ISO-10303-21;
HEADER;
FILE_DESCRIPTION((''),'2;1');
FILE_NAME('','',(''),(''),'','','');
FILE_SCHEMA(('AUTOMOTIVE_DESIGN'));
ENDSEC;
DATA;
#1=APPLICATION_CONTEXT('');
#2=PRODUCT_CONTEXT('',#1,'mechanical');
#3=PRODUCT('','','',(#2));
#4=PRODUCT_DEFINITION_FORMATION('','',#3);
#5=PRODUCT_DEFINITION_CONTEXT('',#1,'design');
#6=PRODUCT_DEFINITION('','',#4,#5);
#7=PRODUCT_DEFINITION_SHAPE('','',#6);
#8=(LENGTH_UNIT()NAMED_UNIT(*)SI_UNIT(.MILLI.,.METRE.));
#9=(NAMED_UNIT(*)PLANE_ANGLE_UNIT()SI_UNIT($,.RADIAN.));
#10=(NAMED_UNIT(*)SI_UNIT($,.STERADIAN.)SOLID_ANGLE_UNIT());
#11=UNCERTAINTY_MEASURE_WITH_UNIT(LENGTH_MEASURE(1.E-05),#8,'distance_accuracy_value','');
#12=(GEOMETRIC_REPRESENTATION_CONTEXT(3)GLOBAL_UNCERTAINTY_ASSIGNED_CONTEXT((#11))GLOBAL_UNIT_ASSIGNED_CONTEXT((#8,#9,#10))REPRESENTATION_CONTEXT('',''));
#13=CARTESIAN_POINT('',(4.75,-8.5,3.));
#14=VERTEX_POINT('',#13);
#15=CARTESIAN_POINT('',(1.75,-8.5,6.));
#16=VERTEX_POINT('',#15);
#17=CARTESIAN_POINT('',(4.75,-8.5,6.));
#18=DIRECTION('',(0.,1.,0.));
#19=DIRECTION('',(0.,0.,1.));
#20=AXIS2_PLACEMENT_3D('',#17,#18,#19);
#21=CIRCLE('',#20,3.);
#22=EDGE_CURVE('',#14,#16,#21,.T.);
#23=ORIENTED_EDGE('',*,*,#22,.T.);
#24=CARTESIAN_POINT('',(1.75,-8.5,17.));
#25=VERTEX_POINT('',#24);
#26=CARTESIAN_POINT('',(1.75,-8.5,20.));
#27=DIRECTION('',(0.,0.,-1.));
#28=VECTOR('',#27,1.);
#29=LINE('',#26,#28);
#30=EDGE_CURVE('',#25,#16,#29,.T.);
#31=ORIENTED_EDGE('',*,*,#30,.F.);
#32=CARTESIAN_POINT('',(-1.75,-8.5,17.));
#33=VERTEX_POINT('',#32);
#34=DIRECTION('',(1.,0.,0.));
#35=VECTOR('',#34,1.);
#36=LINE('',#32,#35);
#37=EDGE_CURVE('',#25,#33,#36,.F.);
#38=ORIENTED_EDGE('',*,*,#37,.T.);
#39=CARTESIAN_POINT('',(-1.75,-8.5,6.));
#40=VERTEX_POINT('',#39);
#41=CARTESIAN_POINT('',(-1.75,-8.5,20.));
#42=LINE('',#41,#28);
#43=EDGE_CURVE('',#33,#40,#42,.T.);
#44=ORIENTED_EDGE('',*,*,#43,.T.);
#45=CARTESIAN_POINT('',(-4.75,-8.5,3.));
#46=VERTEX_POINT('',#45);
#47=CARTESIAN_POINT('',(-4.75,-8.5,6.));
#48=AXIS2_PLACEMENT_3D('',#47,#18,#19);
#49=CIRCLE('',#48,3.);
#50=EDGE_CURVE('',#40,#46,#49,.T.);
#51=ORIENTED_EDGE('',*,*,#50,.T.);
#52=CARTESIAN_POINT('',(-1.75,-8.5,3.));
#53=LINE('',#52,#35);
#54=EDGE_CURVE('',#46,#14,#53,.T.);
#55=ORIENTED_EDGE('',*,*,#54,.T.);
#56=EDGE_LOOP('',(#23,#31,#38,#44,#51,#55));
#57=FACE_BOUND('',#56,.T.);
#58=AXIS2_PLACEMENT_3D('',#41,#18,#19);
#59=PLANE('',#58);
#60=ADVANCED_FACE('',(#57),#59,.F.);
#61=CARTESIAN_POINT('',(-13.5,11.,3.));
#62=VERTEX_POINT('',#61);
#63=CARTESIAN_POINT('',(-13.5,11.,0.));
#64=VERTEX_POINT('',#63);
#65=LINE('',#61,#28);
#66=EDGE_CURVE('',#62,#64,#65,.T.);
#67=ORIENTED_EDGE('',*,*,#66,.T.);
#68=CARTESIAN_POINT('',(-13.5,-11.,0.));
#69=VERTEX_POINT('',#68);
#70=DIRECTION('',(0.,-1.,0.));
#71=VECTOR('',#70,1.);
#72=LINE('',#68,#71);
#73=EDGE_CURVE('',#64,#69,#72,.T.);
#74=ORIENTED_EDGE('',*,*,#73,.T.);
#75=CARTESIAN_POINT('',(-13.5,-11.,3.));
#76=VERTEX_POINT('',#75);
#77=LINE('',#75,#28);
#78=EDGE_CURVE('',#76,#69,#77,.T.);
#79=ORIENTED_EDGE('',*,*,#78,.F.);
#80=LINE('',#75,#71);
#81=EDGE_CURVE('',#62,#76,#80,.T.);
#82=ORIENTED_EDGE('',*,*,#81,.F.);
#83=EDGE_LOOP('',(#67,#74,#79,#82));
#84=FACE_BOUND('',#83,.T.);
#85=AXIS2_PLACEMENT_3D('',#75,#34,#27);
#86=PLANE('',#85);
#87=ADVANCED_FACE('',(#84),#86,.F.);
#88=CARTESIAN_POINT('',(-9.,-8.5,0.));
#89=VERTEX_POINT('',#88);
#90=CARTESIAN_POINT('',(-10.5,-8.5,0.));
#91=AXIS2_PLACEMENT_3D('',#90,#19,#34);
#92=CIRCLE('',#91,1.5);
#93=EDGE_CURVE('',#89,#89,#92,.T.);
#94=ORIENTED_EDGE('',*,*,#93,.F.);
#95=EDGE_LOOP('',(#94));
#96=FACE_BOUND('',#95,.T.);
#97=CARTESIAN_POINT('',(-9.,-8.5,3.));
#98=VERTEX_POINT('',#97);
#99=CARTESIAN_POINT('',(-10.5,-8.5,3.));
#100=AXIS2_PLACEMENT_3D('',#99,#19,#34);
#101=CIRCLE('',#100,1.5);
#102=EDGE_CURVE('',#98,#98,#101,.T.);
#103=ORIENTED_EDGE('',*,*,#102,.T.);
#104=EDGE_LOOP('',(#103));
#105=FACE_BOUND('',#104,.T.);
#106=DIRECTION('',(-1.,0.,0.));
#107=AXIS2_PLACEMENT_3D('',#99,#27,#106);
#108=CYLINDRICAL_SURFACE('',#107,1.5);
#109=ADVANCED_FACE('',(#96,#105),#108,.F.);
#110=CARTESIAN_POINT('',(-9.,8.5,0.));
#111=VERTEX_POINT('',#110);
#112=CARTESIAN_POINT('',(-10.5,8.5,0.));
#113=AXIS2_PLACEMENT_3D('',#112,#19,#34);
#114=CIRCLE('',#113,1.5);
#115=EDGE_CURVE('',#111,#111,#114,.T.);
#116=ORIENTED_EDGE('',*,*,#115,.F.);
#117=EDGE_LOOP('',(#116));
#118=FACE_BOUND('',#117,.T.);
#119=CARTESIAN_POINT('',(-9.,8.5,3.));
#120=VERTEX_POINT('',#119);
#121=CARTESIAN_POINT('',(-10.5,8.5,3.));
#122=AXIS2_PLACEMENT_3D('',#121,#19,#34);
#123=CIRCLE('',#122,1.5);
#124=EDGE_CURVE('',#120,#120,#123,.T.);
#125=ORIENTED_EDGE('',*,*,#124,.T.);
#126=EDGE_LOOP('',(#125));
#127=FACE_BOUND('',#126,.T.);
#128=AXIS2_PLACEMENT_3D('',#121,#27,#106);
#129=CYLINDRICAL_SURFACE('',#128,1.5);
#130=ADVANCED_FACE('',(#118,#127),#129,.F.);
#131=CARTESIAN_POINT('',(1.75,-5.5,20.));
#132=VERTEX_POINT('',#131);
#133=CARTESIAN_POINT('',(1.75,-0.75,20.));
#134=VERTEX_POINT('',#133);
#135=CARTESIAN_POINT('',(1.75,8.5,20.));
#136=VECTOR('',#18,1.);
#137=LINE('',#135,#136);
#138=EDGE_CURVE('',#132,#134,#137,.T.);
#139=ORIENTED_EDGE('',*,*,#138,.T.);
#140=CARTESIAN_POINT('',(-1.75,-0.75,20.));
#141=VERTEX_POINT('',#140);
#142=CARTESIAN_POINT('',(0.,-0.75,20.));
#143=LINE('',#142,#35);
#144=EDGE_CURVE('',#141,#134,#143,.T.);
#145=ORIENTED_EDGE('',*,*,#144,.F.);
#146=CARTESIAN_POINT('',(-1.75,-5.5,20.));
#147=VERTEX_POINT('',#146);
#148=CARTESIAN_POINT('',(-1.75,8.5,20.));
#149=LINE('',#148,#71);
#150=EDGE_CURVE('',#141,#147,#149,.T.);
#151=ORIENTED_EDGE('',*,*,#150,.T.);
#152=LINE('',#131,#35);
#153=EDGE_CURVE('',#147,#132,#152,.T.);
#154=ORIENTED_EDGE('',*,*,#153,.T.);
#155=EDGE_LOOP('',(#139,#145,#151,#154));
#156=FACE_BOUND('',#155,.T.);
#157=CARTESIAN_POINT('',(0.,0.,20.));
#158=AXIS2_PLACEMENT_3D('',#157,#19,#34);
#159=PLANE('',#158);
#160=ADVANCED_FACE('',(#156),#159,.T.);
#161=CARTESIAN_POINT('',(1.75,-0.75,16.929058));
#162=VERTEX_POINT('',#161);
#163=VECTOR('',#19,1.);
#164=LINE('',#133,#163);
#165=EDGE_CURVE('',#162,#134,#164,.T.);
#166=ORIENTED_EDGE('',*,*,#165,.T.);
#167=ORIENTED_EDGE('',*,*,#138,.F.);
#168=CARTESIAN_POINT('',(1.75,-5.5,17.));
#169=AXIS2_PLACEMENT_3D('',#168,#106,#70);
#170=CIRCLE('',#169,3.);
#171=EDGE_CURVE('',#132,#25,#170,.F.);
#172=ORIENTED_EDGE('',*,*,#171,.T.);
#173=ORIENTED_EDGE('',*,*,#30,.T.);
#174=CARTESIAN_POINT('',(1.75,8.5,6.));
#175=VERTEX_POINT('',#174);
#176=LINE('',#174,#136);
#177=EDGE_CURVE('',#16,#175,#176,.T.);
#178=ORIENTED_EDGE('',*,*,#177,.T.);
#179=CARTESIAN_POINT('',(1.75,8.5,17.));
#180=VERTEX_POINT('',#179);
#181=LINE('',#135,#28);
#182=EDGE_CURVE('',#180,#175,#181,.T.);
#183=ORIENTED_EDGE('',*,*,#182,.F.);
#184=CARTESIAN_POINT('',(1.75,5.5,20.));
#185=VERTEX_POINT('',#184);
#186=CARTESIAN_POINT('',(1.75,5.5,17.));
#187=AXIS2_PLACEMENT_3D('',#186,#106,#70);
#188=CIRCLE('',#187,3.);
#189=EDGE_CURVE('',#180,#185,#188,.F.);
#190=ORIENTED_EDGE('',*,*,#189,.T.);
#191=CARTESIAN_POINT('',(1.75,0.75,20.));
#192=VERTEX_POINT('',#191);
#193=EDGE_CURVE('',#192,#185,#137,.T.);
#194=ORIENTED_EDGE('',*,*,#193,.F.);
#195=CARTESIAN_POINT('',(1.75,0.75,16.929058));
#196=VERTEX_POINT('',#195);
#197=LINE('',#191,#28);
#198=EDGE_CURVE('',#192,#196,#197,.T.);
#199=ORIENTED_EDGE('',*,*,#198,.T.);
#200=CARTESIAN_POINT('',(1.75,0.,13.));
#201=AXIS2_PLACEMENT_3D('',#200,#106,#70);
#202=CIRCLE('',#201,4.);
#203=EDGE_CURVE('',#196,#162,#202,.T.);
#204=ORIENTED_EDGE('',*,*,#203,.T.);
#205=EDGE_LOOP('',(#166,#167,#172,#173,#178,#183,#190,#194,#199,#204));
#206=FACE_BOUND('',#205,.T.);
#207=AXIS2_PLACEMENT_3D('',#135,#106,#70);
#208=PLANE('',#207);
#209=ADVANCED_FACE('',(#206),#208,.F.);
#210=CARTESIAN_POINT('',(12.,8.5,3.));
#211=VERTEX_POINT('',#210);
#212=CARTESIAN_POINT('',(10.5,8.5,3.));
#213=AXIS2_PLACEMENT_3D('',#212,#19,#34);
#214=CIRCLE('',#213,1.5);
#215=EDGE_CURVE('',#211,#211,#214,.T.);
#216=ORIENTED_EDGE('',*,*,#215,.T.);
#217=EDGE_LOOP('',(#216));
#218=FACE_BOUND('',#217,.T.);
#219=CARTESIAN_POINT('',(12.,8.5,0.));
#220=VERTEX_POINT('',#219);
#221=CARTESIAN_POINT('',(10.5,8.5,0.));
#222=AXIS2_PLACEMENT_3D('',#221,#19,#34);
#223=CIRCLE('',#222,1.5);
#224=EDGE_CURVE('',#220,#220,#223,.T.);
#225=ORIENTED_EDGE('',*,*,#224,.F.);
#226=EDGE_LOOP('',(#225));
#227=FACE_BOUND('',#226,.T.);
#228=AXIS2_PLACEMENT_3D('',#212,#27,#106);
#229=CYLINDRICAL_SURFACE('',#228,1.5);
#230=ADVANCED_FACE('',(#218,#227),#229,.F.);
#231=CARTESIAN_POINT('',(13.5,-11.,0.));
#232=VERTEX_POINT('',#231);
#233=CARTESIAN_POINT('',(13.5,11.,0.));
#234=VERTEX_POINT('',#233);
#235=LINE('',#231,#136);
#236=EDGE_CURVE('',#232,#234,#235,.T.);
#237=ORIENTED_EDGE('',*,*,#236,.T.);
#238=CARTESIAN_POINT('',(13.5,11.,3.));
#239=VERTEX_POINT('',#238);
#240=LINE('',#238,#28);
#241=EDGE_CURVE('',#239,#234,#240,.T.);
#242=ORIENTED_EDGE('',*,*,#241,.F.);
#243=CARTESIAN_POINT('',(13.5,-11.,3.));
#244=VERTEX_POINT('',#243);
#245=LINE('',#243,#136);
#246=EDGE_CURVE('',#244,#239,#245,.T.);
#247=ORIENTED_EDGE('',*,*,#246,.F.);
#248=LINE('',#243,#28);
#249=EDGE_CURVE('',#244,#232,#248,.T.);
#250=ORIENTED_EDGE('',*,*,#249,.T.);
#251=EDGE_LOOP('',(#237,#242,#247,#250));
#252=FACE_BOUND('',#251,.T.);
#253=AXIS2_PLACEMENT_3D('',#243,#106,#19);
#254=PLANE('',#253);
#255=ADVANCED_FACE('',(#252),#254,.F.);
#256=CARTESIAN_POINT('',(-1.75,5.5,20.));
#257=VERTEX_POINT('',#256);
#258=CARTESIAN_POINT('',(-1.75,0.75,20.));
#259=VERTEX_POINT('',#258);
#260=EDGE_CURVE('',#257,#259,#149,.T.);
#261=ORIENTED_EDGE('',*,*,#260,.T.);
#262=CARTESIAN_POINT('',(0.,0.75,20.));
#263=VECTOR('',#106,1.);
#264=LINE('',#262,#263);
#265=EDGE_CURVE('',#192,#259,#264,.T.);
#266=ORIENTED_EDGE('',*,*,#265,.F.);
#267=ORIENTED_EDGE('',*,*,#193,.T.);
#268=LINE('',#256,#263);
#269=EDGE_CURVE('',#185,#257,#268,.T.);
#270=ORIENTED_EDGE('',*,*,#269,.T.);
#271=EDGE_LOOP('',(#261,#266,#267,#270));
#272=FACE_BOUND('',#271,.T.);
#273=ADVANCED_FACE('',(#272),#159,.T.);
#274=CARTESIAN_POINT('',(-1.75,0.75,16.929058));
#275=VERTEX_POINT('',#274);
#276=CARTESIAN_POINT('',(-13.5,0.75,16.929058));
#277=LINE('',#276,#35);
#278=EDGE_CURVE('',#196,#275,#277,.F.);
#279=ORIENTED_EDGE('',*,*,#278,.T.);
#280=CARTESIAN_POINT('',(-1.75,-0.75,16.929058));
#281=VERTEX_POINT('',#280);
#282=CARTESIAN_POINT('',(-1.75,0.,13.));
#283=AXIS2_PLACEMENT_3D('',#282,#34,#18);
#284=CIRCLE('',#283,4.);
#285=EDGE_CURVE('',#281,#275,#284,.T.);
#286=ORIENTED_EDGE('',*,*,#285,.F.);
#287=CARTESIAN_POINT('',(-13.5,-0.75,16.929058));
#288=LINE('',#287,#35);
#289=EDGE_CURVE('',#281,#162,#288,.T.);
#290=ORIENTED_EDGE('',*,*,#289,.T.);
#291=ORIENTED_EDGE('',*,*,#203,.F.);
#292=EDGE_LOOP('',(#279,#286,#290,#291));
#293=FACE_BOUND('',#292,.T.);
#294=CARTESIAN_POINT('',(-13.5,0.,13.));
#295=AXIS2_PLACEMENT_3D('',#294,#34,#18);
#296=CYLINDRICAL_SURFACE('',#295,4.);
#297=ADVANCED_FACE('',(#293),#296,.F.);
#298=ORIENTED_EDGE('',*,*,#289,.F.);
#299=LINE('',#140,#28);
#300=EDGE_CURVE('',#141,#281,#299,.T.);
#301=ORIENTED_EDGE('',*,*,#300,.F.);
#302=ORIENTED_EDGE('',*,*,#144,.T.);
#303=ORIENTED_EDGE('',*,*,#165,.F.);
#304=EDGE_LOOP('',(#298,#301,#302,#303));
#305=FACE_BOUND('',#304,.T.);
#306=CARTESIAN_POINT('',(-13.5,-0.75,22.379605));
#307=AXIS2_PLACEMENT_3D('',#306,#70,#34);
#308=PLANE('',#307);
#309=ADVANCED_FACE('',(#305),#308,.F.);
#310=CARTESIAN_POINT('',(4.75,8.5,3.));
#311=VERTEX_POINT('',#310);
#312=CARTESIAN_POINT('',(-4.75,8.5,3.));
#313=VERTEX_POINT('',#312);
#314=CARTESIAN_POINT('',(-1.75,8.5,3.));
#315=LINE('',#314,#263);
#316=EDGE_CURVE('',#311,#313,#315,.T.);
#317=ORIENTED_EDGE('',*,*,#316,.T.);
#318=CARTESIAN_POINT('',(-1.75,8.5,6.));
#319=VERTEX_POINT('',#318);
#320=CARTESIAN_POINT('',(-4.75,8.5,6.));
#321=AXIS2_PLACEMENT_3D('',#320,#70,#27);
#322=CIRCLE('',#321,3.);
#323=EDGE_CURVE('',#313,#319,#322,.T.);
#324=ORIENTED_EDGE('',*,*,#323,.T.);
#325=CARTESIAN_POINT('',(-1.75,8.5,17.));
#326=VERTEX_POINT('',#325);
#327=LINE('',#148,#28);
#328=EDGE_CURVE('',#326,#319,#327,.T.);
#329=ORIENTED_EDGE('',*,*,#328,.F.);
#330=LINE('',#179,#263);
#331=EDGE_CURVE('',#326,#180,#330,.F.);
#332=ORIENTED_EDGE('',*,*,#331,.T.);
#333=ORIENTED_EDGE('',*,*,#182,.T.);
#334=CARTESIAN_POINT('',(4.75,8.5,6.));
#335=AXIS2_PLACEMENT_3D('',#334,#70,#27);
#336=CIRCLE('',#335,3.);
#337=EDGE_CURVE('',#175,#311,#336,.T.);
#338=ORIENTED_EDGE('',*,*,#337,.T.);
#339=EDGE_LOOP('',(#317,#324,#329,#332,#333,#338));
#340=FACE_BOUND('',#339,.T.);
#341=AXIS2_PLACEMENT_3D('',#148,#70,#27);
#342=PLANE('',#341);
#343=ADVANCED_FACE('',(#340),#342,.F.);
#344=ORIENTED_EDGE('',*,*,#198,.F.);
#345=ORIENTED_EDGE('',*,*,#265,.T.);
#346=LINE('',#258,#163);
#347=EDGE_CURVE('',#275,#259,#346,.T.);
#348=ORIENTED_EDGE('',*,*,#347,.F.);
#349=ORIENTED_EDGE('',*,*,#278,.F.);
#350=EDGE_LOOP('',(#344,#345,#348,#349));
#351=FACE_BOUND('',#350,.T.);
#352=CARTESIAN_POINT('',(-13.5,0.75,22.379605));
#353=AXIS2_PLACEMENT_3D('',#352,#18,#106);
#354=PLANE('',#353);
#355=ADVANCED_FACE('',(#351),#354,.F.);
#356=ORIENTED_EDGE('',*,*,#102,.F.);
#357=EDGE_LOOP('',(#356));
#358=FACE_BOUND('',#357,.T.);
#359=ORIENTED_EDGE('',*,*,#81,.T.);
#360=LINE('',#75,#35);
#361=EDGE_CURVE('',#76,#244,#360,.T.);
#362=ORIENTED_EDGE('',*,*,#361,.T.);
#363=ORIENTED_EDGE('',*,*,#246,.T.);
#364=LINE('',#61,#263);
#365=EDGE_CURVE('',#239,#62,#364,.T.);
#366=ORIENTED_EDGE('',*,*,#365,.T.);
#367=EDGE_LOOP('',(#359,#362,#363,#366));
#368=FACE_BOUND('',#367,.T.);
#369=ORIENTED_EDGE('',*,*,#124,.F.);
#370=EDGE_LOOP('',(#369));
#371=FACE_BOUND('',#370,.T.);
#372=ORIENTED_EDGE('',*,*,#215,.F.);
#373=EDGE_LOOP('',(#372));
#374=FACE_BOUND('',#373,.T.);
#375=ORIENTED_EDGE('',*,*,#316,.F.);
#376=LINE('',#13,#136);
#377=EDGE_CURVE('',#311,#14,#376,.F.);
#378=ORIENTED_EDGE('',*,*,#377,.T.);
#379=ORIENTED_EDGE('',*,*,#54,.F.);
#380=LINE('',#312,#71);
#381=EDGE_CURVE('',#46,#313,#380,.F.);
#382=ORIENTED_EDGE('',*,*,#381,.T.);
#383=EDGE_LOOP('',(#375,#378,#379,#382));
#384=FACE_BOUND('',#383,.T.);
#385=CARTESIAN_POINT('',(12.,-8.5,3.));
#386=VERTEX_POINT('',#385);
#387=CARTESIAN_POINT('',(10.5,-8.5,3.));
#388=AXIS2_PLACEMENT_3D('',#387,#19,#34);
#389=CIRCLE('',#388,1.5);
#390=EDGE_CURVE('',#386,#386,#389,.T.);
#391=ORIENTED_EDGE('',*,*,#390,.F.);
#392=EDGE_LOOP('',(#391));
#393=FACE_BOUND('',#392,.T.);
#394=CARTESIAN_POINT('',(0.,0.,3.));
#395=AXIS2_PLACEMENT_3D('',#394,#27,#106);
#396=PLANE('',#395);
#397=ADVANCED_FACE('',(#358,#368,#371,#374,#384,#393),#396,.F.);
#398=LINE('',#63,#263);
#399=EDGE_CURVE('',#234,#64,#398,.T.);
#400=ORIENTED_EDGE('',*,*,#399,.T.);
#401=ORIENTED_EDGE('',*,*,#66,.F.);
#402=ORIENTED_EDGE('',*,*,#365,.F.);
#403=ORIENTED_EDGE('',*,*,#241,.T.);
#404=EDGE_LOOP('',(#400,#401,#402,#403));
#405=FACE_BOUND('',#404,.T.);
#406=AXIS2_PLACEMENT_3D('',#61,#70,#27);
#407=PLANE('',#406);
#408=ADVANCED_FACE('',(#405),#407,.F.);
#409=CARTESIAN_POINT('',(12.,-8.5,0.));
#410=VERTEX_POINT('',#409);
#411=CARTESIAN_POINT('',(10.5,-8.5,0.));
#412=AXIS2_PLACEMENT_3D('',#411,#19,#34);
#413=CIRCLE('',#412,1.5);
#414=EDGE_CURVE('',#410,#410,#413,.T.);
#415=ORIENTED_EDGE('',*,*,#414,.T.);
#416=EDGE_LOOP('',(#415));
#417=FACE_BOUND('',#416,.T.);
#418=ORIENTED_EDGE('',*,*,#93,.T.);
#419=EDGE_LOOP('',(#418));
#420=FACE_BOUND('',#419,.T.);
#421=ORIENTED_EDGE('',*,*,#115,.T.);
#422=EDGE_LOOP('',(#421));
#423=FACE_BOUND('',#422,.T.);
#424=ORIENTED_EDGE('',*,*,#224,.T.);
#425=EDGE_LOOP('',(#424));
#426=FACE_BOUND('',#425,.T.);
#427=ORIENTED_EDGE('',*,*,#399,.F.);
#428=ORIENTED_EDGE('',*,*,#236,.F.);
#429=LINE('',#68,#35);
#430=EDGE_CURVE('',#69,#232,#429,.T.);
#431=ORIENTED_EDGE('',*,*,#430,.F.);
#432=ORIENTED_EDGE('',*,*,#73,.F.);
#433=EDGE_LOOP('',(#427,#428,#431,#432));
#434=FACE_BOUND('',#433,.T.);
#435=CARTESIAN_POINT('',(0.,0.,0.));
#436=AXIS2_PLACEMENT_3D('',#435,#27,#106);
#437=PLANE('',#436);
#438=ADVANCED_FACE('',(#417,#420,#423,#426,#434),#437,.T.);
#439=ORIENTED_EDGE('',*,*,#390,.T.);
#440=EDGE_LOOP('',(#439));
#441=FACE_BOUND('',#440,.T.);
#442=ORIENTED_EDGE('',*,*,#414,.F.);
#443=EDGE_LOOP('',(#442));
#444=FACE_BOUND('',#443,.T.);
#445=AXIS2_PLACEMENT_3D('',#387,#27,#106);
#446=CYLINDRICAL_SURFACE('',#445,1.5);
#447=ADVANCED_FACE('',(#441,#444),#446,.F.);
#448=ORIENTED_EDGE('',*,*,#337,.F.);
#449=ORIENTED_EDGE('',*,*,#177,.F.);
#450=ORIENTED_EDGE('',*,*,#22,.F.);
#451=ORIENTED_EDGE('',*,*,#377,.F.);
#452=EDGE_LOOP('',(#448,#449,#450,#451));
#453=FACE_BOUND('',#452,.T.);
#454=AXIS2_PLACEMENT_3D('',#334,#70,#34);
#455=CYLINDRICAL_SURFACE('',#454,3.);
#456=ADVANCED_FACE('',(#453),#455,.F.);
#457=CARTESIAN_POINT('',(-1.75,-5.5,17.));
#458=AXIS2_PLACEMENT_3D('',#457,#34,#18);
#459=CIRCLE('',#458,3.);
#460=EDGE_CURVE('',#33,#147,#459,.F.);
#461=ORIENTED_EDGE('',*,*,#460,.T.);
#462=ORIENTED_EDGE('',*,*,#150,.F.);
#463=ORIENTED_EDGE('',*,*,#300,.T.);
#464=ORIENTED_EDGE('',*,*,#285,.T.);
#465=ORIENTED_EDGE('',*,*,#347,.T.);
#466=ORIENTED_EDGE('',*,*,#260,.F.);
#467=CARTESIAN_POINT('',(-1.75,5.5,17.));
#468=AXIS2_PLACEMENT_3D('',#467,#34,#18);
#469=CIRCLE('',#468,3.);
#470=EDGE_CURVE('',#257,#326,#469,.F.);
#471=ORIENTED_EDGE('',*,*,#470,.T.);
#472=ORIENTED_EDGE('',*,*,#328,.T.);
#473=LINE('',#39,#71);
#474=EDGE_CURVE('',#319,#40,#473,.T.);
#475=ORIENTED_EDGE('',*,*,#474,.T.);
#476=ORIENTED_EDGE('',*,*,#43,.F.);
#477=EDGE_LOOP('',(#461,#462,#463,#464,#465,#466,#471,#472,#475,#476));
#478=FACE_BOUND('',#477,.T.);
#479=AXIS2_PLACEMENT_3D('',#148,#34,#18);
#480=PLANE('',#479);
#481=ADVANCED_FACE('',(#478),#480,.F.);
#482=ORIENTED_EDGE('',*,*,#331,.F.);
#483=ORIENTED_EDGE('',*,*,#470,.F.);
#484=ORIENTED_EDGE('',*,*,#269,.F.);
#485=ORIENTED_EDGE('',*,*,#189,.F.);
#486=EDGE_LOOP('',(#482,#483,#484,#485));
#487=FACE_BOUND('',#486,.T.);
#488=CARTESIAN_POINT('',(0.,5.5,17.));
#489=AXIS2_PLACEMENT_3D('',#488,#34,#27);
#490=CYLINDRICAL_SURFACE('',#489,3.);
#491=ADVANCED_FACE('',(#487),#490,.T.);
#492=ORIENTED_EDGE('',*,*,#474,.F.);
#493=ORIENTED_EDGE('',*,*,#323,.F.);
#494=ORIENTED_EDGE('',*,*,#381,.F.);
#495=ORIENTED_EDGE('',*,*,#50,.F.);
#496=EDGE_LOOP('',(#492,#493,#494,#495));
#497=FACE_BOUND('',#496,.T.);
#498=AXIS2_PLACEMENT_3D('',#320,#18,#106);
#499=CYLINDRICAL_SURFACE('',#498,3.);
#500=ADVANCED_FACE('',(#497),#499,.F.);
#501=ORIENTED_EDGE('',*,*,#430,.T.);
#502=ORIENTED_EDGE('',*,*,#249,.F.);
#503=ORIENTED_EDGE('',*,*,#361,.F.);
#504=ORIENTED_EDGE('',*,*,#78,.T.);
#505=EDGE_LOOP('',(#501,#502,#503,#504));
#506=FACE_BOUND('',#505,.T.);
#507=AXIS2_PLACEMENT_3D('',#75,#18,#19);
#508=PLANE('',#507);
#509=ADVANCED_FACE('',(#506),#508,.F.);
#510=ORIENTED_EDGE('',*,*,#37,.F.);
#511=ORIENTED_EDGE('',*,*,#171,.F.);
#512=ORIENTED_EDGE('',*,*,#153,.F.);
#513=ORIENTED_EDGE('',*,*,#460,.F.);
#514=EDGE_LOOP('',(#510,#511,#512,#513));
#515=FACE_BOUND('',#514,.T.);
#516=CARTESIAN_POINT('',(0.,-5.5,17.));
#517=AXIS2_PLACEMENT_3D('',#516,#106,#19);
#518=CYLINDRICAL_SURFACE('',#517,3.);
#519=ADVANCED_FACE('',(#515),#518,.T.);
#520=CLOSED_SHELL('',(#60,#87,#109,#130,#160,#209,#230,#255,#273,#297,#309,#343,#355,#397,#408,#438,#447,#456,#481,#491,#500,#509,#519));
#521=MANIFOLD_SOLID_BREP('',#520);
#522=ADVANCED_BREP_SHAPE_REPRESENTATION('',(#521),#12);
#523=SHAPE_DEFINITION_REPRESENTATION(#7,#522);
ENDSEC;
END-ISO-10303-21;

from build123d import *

# Parameters (mm, degrees)
SKETCH1_W               = 27
SKETCH1_H               = 22
SKETCH1_R               = 1.5
BOSS_EXTRUDE1_DEPTH     = 3
SKETCH2_W               = 3.5
SKETCH2_H               = 17
BOSS_EXTRUDE2_DEPTH     = 17
CUT_EXTRUDE1_DEPTH      = 28.451092874
CUT_EXTRUDE1_DEPTH_BACK = 28.451092874
SKETCH3_R               = 4
CUT_EXTRUDE2_DEPTH      = 28.451092874
CUT_EXTRUDE2_DEPTH_BACK = 28.451092874
SKETCH4_W               = 8.09758535
SKETCH4_H               = 1.5
FILLET1_R               = 3
FILLET2_R               = 3


with BuildPart() as part:
    # Sketch1 → Boss-Extrude1 (new body)
    with BuildSketch(Plane.XY):
        Rectangle(SKETCH1_W, SKETCH1_H)
        with Locations((10.5, 8.5)):
            Circle(SKETCH1_R, mode=Mode.SUBTRACT)
        with Locations((10.5, -8.5)):
            Circle(SKETCH1_R, mode=Mode.SUBTRACT)
        with Locations((-10.5, -8.5)):
            Circle(SKETCH1_R, mode=Mode.SUBTRACT)
        with Locations((-10.5, 8.5)):
            Circle(SKETCH1_R, mode=Mode.SUBTRACT)
    extrude(amount=BOSS_EXTRUDE1_DEPTH)

    # Sketch2 → Boss-Extrude2 (add)
    with BuildSketch(Plane.XY.offset(3)):
        Rectangle(SKETCH2_W, SKETCH2_H)
    extrude(amount=BOSS_EXTRUDE2_DEPTH)

    # Sketch3 → Cut-Extrude1 (cut, two sides: drawn at the far end of the back side and taken through both)
    with BuildSketch(Plane(origin=(1.75, 0, 0), x_dir=(0, 0, -1), z_dir=(1, 0, 0)).offset(-CUT_EXTRUDE1_DEPTH_BACK)):
        with Locations(Location((-13, 0, 0), (0, 0, 90))):
            Circle(SKETCH3_R)
    extrude(amount=CUT_EXTRUDE1_DEPTH + CUT_EXTRUDE1_DEPTH_BACK, mode=Mode.SUBTRACT)

    # Sketch4 → Cut-Extrude2 (cut, two sides: drawn at the far end of the back side and taken through both)
    with BuildSketch(Plane(origin=(1.75, 0, 0), x_dir=(0, 0, -1), z_dir=(1, 0, 0)).offset(-CUT_EXTRUDE2_DEPTH_BACK)):
        with Locations((-18.330812417, 0)):
            Rectangle(SKETCH4_W, SKETCH4_H)
    extrude(amount=CUT_EXTRUDE2_DEPTH + CUT_EXTRUDE2_DEPTH_BACK, mode=Mode.SUBTRACT)

    # Fillet1
    fillet1_edges = [part.edges().sort_by_distance(p)[0] for p in [
        (-1.75, 0, 3),
        (1.75, 0, 3),
    ]]
    fillet(fillet1_edges, radius=FILLET1_R)

    # Fillet2
    fillet2_edges = [part.edges().sort_by_distance(p)[0] for p in [
        (0, -8.5, 20),
        (0, 8.5, 20),
    ]]
    fillet(fillet2_edges, radius=FILLET2_R)


solid = part.part
